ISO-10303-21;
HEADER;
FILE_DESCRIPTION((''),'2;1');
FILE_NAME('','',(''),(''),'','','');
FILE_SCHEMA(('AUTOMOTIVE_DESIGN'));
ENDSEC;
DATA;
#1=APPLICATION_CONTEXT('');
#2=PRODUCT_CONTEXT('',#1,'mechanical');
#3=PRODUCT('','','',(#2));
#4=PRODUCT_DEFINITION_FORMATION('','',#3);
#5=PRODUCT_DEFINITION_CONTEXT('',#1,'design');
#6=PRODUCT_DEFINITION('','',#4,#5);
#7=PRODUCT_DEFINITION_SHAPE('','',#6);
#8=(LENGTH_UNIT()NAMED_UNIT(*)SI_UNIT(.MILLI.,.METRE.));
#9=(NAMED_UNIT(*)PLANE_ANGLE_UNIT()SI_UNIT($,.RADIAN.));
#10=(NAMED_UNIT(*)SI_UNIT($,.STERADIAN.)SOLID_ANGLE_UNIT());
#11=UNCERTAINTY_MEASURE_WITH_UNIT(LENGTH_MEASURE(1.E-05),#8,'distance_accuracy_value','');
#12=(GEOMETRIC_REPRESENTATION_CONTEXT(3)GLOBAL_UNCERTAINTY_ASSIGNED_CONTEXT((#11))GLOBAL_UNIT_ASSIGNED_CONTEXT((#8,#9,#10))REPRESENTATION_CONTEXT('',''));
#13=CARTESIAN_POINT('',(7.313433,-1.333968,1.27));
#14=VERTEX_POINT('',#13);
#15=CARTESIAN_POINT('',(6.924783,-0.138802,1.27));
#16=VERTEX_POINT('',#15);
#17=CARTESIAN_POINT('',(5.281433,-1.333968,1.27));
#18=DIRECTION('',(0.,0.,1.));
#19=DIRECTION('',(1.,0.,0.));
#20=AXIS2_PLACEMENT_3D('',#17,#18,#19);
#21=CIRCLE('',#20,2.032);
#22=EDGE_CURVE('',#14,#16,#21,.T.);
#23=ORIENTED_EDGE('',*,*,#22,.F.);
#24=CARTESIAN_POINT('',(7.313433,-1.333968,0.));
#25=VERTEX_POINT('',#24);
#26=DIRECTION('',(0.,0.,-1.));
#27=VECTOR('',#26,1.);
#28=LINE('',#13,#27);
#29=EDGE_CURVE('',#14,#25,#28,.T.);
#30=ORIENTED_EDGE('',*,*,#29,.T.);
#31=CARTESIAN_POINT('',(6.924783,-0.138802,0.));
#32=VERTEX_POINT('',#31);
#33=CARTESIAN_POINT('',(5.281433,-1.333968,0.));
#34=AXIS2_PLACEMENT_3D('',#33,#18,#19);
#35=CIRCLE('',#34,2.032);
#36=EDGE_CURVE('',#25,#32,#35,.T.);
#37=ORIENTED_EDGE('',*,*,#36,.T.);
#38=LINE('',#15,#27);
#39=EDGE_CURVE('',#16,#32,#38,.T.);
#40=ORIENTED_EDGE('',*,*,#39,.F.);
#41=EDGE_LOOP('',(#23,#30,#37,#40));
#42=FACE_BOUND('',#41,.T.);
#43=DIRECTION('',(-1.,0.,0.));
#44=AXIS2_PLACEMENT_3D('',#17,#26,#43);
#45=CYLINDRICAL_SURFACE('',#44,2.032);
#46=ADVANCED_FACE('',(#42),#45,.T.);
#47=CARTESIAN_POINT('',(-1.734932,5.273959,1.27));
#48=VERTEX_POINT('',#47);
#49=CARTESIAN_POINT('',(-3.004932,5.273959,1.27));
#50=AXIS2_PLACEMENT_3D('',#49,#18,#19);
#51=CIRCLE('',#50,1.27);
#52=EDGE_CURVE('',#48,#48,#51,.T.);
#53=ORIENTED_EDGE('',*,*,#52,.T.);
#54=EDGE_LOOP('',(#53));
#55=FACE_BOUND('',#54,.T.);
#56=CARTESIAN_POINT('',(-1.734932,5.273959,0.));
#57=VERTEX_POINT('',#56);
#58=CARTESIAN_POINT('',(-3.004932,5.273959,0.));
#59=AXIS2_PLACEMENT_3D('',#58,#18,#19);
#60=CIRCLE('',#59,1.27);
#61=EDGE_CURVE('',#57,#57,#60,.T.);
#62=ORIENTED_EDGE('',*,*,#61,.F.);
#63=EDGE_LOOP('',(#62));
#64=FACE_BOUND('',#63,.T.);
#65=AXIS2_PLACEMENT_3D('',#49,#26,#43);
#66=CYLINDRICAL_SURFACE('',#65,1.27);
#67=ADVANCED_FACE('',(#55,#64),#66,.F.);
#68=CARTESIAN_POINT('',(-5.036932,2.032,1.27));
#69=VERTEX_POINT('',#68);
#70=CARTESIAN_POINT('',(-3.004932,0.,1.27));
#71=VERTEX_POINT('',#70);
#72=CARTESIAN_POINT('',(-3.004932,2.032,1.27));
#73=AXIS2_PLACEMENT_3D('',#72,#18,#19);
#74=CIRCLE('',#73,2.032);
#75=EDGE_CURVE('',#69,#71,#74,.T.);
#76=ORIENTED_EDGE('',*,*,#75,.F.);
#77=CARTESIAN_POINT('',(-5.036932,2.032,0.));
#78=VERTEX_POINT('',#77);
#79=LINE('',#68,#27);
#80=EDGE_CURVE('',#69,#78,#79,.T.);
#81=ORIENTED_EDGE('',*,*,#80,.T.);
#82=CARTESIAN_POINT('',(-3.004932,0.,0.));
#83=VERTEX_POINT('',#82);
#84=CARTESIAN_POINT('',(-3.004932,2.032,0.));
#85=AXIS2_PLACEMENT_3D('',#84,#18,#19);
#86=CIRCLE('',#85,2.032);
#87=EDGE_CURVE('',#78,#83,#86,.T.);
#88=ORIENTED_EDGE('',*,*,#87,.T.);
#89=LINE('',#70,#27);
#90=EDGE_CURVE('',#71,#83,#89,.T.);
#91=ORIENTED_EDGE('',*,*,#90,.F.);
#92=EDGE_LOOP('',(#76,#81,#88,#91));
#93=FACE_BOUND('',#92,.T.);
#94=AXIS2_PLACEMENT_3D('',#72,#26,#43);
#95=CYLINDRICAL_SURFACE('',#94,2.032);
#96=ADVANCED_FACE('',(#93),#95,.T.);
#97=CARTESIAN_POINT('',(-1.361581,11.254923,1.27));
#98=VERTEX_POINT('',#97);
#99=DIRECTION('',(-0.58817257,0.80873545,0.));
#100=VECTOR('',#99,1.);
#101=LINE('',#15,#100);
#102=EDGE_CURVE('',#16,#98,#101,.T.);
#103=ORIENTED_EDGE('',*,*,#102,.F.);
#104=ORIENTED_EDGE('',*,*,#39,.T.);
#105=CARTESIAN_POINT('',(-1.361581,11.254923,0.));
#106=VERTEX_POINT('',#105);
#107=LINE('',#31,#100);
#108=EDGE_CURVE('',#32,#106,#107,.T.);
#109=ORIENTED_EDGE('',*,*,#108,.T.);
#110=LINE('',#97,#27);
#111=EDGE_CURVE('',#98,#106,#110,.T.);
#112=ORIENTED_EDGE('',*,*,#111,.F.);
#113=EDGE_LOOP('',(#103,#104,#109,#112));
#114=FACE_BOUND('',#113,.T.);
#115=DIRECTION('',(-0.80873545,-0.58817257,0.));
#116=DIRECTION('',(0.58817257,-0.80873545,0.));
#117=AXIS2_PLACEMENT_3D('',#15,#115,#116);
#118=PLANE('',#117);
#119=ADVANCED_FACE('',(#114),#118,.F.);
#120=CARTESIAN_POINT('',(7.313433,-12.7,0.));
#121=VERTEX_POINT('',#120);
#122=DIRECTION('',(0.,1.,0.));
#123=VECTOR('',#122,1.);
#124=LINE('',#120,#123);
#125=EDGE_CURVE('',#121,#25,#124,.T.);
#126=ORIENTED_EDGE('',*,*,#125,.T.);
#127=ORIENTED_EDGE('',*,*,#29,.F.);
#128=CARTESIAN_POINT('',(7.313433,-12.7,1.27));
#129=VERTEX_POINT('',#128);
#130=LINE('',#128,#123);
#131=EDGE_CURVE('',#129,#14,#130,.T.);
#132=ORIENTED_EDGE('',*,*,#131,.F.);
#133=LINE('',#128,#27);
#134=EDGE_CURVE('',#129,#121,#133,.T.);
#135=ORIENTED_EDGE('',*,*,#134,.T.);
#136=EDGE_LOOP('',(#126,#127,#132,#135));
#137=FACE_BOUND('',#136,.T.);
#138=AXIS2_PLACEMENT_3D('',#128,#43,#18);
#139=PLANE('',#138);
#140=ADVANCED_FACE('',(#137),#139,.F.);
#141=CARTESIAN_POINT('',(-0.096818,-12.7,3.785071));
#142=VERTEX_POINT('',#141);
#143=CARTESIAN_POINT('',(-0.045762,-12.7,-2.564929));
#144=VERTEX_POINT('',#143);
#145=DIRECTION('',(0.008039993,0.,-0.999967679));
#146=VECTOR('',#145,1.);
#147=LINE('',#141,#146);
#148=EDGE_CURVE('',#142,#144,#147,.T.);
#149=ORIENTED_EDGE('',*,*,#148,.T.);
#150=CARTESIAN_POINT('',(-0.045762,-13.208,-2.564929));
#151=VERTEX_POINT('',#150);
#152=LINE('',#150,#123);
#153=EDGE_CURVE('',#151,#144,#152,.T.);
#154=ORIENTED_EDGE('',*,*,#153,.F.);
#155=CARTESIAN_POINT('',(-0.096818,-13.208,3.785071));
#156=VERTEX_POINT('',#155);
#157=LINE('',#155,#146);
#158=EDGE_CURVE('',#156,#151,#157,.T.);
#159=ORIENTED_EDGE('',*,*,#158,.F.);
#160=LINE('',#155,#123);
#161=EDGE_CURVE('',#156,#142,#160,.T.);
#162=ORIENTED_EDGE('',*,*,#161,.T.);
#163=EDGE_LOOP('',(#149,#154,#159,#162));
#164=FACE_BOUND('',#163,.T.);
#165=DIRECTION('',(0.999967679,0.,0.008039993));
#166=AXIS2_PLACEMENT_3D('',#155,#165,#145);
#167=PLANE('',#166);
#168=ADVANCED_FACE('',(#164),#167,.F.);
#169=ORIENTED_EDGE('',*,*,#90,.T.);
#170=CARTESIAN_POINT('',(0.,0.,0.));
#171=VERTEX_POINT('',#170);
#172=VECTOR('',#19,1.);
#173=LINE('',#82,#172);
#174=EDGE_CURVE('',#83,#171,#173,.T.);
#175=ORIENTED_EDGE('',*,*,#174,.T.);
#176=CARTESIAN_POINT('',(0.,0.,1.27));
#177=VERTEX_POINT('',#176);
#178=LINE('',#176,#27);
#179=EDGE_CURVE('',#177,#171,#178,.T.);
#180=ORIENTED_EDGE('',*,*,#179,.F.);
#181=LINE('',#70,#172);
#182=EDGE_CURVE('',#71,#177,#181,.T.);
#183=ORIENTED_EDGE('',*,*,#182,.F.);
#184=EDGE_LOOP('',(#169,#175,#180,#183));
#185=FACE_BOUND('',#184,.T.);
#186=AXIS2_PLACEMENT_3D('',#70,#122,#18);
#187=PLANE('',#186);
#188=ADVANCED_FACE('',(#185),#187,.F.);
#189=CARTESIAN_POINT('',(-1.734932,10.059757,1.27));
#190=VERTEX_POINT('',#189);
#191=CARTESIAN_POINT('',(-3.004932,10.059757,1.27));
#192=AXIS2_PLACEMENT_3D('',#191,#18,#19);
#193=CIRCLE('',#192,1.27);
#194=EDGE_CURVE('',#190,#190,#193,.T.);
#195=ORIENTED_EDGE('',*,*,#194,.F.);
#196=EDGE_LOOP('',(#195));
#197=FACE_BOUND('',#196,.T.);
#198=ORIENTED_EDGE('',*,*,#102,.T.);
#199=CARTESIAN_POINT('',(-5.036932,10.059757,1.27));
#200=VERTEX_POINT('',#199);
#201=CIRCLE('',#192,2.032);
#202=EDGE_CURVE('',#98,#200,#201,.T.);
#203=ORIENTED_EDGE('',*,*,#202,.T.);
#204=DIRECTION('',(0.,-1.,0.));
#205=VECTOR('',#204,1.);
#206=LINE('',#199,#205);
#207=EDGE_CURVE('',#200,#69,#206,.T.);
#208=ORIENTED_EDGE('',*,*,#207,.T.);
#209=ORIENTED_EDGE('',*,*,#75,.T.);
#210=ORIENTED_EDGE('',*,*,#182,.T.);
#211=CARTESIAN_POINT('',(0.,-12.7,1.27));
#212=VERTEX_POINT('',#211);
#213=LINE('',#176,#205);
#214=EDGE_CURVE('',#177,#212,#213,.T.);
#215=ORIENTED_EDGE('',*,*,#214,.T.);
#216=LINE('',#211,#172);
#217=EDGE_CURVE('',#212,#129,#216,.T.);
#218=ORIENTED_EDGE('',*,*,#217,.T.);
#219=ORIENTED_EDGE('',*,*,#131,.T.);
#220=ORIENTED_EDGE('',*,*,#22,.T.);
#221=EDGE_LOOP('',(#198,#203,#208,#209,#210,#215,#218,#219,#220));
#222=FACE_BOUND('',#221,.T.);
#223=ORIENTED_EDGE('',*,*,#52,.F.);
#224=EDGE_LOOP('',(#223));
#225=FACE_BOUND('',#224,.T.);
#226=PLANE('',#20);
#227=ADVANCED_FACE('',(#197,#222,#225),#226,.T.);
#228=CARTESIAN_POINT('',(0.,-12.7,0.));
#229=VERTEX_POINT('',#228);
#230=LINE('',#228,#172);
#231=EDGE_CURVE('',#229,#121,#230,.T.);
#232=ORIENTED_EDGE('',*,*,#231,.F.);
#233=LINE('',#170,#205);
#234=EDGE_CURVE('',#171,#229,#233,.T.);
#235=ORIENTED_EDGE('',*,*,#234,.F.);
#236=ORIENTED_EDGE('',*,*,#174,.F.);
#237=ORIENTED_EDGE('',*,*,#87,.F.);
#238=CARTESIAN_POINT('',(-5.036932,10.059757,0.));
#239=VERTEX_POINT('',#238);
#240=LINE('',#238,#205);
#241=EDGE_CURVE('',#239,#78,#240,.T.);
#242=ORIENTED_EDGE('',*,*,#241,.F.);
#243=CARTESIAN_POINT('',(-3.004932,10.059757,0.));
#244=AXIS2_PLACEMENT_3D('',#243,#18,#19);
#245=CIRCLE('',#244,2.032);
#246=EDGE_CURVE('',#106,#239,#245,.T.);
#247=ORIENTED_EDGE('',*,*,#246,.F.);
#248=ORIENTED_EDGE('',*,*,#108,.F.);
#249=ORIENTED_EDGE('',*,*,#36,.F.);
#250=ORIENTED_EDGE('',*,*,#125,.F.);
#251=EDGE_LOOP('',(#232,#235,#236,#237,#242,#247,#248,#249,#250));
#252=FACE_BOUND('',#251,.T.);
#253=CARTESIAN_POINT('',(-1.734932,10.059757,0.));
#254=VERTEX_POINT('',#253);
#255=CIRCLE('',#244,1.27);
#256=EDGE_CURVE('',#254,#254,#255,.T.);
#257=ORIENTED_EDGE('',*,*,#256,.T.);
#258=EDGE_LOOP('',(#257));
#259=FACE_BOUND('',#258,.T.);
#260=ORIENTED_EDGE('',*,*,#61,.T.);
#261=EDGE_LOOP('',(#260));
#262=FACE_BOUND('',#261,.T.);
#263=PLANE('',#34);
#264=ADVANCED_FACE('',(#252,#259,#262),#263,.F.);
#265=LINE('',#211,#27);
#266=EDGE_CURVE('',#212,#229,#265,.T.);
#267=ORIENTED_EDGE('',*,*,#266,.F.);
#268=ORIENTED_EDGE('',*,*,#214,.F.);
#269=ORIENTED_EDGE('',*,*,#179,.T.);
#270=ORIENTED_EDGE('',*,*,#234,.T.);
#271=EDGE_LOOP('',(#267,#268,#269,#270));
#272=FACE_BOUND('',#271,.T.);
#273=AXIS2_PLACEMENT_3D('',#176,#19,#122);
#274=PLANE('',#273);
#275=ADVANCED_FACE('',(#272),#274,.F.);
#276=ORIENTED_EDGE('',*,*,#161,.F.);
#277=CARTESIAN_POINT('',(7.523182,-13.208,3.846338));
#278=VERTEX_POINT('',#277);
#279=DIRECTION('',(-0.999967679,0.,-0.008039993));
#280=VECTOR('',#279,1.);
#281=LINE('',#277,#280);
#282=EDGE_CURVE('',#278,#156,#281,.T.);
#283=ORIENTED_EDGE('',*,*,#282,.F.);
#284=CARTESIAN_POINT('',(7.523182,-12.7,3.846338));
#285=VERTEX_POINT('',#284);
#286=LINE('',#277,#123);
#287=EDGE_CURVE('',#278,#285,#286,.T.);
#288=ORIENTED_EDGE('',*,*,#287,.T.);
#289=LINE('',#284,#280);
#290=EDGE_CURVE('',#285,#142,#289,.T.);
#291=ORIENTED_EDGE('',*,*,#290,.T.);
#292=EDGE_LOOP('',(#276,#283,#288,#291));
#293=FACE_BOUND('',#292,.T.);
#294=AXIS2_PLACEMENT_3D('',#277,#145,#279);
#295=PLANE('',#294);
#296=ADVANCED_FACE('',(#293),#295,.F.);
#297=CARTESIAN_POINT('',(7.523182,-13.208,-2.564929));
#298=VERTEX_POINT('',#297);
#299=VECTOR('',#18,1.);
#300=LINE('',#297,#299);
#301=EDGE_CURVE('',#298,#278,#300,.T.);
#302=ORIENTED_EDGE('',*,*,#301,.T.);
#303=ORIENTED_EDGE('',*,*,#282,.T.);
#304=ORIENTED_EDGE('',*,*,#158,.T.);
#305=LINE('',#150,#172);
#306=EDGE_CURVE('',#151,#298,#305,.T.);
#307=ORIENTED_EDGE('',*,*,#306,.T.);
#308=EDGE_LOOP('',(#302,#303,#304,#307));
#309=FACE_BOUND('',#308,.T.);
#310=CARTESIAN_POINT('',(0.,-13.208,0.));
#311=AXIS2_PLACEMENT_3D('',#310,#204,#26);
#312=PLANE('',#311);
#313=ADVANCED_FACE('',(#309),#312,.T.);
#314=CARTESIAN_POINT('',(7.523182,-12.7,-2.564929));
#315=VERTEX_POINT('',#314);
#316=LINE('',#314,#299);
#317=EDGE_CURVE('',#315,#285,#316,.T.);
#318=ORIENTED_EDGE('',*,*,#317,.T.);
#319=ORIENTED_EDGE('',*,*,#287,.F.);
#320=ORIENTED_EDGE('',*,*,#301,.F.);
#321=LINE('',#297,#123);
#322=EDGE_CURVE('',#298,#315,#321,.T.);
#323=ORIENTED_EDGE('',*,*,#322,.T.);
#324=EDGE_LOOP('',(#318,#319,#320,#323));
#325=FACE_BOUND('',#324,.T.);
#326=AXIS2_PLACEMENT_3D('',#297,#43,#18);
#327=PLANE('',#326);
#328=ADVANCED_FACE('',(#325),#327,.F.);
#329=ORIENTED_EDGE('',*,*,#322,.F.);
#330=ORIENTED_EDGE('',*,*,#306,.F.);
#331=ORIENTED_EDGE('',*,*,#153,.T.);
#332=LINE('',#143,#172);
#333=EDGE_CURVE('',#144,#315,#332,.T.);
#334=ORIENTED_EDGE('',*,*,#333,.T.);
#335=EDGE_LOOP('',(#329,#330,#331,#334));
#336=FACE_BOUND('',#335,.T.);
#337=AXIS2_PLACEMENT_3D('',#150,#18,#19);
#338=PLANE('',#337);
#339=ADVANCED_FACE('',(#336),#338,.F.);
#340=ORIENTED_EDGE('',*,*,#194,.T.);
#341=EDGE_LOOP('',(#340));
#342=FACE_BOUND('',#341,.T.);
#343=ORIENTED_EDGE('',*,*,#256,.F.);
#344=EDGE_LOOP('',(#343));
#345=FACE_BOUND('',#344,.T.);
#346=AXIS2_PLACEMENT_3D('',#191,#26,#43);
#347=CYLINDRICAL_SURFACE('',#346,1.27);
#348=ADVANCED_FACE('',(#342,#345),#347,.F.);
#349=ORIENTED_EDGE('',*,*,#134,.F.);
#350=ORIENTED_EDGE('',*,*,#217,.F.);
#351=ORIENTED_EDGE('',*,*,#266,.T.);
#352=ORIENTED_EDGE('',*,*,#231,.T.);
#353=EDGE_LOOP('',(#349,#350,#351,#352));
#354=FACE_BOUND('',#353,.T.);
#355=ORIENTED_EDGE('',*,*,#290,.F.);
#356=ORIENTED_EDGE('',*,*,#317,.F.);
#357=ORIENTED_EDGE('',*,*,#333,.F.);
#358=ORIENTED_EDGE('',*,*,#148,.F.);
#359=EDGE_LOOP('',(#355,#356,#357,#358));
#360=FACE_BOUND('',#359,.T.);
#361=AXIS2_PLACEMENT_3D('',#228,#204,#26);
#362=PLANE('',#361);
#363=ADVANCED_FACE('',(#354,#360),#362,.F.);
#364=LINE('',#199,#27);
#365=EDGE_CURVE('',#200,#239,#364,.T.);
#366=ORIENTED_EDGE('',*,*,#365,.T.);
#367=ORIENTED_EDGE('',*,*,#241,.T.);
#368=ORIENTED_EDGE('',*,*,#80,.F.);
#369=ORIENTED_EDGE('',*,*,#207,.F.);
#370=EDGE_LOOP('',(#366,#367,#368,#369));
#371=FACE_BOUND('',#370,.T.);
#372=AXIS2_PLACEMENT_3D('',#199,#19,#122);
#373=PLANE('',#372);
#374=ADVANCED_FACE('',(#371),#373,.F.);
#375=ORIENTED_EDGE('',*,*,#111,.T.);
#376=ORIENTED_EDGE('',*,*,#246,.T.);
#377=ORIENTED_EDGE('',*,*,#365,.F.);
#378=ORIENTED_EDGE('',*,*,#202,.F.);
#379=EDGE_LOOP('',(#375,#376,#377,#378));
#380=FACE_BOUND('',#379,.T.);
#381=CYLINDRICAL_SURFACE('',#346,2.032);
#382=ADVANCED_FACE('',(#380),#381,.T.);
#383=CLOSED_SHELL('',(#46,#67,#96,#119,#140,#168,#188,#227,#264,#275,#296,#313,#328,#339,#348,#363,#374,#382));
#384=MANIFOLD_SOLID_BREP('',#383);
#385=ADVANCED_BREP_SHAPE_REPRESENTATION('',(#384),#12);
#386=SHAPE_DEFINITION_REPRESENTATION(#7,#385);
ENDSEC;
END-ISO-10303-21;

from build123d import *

# Parameters (mm, degrees)
SKETCH1_R           = 1.27
BOSS_EXTRUDE1_DEPTH = 1.27
BOSS_EXTRUDE2_DEPTH = 0.508


with BuildPart() as part:
    # Sketch1 → Boss-Extrude1 (new body)
    with BuildSketch(Plane.XY):
        with BuildLine():
            Line((6.924783114, -0.138801739), (-1.3615811, 11.254923221))
            ThreePointArc((-1.3615811, 11.254923221), (-3.633316734, 11.992153009), (-5.036931534, 10.059756558))
            Line((-5.036931534, 10.059756558), (-5.036931534, 2.032))
            ThreePointArc((-5.036931534, 2.032), (-4.441772513, 0.595159021), (-3.004931534, 0))
            Line((-3.004931534, 0), (0, 0))
            Line((0, 0), (0, -12.7))
            Line((0, -12.7), (7.31343268, -12.7))
            Line((7.31343268, -12.7), (7.31343268, -1.333968401))
            ThreePointArc((7.31343268, -1.333968401), (7.21382913, -0.705583202), (6.924783114, -0.138801739))
        make_face()
        with Locations((-3.004931534, 10.059756558)):
            Circle(SKETCH1_R, mode=Mode.SUBTRACT)
        with Locations((-3.004931534, 5.27395868)):
            Circle(SKETCH1_R, mode=Mode.SUBTRACT)
    extrude(amount=BOSS_EXTRUDE1_DEPTH)

    # Sketch2 → Boss-Extrude2 (add)
    with BuildSketch(Plane(origin=(0, -12.7, 0), x_dir=(-1, 0, 0), z_dir=(0, -1, 0))):
        Polygon((-7.52318228, 2.564928968), (-7.52318228, -3.846337758), (0.09681772, -3.785071032), (0.045762115, 2.564928968), align=None)
    extrude(amount=BOSS_EXTRUDE2_DEPTH)


solid = part.part
